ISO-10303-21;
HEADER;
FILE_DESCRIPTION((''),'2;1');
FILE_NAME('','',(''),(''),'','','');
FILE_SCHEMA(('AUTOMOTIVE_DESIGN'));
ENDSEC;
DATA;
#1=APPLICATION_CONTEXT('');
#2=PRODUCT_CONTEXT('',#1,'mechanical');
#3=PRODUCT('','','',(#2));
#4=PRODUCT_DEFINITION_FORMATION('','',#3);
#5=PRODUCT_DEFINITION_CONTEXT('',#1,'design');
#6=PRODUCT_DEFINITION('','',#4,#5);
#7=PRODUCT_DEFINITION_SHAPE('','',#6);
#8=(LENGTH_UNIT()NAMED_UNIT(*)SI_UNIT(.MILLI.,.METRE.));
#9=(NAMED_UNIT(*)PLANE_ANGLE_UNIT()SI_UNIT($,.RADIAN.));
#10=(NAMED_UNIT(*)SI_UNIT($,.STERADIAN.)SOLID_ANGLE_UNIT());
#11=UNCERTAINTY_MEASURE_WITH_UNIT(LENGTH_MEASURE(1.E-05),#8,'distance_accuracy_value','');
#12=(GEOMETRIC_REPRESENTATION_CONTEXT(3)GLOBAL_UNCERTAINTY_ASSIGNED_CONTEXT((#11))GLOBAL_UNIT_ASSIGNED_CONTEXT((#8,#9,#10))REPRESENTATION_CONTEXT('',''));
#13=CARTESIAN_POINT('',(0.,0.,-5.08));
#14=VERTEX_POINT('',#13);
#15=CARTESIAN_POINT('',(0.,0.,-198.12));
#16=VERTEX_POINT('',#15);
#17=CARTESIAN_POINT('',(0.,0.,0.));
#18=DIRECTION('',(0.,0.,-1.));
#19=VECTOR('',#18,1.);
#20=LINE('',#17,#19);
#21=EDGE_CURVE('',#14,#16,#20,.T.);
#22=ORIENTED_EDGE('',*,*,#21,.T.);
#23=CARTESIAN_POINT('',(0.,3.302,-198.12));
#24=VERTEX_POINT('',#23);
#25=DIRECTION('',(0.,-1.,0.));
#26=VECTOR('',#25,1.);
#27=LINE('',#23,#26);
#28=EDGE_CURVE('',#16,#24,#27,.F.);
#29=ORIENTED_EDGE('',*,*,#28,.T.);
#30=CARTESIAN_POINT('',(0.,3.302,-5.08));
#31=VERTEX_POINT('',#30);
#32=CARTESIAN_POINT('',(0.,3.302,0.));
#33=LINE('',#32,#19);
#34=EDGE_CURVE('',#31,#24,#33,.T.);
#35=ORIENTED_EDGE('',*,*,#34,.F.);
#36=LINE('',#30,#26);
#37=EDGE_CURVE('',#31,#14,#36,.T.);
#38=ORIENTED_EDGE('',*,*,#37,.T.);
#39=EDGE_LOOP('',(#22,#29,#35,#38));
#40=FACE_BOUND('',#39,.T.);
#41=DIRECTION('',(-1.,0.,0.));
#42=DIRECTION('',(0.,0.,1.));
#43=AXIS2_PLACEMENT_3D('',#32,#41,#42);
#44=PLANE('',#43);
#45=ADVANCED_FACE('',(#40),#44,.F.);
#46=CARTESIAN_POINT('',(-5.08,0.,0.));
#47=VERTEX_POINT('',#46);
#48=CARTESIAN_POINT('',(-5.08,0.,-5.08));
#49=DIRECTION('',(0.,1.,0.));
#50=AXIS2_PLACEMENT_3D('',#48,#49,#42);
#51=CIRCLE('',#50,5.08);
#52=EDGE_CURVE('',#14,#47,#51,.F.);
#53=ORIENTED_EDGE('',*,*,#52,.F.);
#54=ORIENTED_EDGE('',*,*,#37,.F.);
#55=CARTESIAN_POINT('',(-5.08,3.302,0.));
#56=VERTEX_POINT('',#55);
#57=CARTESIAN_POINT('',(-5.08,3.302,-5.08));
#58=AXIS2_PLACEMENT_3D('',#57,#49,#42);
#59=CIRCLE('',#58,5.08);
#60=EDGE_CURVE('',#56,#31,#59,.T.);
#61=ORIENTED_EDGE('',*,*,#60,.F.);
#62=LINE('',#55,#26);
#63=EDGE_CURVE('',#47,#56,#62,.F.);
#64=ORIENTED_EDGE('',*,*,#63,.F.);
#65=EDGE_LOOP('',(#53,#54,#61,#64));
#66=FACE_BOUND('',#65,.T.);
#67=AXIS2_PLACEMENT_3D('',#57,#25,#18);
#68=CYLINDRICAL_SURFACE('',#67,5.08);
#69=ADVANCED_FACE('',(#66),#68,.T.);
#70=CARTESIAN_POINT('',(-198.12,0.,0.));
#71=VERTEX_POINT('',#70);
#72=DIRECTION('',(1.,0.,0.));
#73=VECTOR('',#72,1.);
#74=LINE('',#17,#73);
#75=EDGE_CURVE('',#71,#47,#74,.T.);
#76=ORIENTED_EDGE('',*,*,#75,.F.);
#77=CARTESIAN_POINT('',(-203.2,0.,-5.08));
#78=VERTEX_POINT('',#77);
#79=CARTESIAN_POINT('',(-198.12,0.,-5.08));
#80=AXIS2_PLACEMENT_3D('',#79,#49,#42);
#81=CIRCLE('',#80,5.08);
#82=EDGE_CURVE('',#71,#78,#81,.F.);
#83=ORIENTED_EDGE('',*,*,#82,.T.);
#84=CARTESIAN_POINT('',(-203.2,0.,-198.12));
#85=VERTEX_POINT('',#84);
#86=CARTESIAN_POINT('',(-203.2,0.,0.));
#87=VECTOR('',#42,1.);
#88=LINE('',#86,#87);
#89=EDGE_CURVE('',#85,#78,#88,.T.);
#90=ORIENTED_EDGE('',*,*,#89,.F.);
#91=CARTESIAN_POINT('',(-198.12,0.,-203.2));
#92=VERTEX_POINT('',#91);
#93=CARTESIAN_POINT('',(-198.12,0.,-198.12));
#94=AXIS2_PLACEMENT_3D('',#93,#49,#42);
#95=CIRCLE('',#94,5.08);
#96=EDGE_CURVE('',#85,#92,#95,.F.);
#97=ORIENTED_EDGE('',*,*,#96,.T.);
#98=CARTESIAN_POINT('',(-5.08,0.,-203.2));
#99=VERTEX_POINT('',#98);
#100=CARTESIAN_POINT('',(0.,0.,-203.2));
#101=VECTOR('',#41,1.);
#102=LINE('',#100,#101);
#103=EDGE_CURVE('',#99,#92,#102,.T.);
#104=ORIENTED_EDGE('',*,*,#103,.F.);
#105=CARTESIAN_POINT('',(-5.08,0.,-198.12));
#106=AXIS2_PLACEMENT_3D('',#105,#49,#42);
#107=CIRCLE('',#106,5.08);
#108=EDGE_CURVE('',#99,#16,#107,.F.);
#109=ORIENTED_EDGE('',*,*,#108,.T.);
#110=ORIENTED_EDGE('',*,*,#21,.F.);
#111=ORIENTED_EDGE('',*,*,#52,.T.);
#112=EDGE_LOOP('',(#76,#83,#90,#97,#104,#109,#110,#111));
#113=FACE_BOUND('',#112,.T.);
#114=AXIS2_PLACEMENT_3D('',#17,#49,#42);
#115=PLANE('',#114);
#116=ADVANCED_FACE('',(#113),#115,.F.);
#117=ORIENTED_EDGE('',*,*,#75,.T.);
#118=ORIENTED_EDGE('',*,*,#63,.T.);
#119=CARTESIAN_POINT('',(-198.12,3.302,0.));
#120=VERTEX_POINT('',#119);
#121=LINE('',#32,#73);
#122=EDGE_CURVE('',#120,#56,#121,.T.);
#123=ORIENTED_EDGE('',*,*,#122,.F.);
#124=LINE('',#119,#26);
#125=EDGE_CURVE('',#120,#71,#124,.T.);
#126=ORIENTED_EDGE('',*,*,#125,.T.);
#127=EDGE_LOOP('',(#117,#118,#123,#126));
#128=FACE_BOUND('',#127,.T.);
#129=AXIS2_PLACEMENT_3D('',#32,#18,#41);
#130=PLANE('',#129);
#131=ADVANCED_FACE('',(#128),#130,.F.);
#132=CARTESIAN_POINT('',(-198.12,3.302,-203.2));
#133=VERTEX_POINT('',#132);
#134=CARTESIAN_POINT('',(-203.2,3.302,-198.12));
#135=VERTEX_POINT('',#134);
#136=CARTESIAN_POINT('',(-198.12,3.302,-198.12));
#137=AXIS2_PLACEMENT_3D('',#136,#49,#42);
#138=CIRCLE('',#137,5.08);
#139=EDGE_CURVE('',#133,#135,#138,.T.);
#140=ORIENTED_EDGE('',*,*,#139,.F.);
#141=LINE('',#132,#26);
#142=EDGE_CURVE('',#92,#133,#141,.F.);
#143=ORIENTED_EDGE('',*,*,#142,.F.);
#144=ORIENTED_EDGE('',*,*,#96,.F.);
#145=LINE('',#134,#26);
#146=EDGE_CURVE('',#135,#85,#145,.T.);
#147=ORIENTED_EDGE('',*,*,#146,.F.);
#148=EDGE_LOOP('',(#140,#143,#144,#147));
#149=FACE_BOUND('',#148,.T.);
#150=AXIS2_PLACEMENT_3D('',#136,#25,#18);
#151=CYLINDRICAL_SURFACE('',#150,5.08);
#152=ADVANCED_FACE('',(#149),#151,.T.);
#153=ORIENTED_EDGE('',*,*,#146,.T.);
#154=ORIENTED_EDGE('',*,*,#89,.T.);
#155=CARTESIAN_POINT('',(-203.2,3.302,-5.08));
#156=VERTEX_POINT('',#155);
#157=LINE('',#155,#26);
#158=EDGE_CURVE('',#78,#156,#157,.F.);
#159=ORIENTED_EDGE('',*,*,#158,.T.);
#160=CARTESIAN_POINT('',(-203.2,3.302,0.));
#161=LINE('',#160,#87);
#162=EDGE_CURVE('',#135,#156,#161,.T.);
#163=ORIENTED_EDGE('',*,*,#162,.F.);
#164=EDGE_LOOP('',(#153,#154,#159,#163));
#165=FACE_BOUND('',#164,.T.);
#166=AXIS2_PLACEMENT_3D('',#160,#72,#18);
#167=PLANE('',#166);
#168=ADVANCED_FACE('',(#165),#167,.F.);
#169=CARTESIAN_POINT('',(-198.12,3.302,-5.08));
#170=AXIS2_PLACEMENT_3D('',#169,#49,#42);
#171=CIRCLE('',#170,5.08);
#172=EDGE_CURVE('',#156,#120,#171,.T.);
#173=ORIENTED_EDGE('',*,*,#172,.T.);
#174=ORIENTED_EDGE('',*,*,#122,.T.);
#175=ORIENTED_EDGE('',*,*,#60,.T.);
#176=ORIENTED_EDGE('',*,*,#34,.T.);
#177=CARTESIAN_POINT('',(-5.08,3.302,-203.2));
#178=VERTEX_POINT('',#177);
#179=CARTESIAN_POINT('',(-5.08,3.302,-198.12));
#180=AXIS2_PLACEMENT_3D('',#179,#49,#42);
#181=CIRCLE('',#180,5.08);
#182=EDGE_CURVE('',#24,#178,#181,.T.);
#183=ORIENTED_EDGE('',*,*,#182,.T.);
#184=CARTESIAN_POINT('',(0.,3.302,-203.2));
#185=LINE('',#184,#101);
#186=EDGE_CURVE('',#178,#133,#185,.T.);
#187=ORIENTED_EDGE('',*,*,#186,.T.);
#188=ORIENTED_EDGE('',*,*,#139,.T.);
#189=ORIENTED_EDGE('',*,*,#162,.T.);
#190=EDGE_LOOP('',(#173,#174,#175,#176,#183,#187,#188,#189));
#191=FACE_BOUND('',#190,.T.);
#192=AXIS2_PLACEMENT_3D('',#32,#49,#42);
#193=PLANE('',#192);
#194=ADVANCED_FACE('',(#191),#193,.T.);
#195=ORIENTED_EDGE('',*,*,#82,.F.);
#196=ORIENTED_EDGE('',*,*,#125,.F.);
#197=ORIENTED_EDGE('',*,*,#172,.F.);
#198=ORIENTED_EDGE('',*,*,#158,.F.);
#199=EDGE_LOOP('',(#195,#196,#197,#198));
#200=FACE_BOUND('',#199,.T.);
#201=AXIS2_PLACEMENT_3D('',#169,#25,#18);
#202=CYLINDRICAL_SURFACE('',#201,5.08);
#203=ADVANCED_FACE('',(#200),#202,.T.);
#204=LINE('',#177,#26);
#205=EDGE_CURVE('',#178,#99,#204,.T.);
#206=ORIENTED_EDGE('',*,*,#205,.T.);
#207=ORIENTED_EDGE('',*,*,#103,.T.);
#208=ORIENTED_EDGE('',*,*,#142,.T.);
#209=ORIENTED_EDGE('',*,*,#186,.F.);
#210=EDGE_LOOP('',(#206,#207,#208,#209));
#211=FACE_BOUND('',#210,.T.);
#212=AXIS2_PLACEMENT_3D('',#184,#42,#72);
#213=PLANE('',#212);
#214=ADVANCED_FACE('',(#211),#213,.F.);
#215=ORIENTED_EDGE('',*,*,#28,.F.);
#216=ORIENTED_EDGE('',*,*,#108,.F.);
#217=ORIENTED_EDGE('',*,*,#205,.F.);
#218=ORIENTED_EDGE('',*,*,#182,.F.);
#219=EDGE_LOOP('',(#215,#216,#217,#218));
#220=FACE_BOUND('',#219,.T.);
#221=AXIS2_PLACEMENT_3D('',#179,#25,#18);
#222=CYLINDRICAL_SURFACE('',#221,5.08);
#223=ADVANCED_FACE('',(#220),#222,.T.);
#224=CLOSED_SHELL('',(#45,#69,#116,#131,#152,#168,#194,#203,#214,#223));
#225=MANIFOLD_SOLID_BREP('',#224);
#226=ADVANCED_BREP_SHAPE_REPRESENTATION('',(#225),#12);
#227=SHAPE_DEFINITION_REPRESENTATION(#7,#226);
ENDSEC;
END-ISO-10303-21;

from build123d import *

# Parameters (mm, degrees)
SKETCH3_W           = 203.2
SKETCH3_H           = 203.2
BOSS_EXTRUDE1_DEPTH = 3.302
FILLET1_R           = 5.08
FILLET2_R           = 5.08
FILLET3_R           = 5.08
FILLET4_R           = 5.08


with BuildPart() as part:
    # Sketch3 → Boss-Extrude1 (new body)
    with BuildSketch(Plane(origin=(0, 0, 0), x_dir=(1, 0, 0), z_dir=(0, 1, 0))):
        with Locations((-101.6, 101.6)):
            Rectangle(SKETCH3_W, SKETCH3_H)
    extrude(amount=BOSS_EXTRUDE1_DEPTH)

    # Fillet1
    fillet1_edges = [part.edges().sort_by_distance(p)[0] for p in [
        (-203.2, 1.651, 0),
    ]]
    fillet(fillet1_edges, radius=FILLET1_R)

    # Fillet2
    fillet2_edges = [part.edges().sort_by_distance(p)[0] for p in [
        (0, 1.651, 0),
    ]]
    fillet(fillet2_edges, radius=FILLET2_R)

    # Fillet3
    fillet3_edges = [part.edges().sort_by_distance(p)[0] for p in [
        (0, 1.651, -203.2),
    ]]
    fillet(fillet3_edges, radius=FILLET3_R)

    # Fillet4
    fillet4_edges = [part.edges().sort_by_distance(p)[0] for p in [
        (-203.2, 1.651, -203.2),
    ]]
    fillet(fillet4_edges, radius=FILLET4_R)


solid = part.part
